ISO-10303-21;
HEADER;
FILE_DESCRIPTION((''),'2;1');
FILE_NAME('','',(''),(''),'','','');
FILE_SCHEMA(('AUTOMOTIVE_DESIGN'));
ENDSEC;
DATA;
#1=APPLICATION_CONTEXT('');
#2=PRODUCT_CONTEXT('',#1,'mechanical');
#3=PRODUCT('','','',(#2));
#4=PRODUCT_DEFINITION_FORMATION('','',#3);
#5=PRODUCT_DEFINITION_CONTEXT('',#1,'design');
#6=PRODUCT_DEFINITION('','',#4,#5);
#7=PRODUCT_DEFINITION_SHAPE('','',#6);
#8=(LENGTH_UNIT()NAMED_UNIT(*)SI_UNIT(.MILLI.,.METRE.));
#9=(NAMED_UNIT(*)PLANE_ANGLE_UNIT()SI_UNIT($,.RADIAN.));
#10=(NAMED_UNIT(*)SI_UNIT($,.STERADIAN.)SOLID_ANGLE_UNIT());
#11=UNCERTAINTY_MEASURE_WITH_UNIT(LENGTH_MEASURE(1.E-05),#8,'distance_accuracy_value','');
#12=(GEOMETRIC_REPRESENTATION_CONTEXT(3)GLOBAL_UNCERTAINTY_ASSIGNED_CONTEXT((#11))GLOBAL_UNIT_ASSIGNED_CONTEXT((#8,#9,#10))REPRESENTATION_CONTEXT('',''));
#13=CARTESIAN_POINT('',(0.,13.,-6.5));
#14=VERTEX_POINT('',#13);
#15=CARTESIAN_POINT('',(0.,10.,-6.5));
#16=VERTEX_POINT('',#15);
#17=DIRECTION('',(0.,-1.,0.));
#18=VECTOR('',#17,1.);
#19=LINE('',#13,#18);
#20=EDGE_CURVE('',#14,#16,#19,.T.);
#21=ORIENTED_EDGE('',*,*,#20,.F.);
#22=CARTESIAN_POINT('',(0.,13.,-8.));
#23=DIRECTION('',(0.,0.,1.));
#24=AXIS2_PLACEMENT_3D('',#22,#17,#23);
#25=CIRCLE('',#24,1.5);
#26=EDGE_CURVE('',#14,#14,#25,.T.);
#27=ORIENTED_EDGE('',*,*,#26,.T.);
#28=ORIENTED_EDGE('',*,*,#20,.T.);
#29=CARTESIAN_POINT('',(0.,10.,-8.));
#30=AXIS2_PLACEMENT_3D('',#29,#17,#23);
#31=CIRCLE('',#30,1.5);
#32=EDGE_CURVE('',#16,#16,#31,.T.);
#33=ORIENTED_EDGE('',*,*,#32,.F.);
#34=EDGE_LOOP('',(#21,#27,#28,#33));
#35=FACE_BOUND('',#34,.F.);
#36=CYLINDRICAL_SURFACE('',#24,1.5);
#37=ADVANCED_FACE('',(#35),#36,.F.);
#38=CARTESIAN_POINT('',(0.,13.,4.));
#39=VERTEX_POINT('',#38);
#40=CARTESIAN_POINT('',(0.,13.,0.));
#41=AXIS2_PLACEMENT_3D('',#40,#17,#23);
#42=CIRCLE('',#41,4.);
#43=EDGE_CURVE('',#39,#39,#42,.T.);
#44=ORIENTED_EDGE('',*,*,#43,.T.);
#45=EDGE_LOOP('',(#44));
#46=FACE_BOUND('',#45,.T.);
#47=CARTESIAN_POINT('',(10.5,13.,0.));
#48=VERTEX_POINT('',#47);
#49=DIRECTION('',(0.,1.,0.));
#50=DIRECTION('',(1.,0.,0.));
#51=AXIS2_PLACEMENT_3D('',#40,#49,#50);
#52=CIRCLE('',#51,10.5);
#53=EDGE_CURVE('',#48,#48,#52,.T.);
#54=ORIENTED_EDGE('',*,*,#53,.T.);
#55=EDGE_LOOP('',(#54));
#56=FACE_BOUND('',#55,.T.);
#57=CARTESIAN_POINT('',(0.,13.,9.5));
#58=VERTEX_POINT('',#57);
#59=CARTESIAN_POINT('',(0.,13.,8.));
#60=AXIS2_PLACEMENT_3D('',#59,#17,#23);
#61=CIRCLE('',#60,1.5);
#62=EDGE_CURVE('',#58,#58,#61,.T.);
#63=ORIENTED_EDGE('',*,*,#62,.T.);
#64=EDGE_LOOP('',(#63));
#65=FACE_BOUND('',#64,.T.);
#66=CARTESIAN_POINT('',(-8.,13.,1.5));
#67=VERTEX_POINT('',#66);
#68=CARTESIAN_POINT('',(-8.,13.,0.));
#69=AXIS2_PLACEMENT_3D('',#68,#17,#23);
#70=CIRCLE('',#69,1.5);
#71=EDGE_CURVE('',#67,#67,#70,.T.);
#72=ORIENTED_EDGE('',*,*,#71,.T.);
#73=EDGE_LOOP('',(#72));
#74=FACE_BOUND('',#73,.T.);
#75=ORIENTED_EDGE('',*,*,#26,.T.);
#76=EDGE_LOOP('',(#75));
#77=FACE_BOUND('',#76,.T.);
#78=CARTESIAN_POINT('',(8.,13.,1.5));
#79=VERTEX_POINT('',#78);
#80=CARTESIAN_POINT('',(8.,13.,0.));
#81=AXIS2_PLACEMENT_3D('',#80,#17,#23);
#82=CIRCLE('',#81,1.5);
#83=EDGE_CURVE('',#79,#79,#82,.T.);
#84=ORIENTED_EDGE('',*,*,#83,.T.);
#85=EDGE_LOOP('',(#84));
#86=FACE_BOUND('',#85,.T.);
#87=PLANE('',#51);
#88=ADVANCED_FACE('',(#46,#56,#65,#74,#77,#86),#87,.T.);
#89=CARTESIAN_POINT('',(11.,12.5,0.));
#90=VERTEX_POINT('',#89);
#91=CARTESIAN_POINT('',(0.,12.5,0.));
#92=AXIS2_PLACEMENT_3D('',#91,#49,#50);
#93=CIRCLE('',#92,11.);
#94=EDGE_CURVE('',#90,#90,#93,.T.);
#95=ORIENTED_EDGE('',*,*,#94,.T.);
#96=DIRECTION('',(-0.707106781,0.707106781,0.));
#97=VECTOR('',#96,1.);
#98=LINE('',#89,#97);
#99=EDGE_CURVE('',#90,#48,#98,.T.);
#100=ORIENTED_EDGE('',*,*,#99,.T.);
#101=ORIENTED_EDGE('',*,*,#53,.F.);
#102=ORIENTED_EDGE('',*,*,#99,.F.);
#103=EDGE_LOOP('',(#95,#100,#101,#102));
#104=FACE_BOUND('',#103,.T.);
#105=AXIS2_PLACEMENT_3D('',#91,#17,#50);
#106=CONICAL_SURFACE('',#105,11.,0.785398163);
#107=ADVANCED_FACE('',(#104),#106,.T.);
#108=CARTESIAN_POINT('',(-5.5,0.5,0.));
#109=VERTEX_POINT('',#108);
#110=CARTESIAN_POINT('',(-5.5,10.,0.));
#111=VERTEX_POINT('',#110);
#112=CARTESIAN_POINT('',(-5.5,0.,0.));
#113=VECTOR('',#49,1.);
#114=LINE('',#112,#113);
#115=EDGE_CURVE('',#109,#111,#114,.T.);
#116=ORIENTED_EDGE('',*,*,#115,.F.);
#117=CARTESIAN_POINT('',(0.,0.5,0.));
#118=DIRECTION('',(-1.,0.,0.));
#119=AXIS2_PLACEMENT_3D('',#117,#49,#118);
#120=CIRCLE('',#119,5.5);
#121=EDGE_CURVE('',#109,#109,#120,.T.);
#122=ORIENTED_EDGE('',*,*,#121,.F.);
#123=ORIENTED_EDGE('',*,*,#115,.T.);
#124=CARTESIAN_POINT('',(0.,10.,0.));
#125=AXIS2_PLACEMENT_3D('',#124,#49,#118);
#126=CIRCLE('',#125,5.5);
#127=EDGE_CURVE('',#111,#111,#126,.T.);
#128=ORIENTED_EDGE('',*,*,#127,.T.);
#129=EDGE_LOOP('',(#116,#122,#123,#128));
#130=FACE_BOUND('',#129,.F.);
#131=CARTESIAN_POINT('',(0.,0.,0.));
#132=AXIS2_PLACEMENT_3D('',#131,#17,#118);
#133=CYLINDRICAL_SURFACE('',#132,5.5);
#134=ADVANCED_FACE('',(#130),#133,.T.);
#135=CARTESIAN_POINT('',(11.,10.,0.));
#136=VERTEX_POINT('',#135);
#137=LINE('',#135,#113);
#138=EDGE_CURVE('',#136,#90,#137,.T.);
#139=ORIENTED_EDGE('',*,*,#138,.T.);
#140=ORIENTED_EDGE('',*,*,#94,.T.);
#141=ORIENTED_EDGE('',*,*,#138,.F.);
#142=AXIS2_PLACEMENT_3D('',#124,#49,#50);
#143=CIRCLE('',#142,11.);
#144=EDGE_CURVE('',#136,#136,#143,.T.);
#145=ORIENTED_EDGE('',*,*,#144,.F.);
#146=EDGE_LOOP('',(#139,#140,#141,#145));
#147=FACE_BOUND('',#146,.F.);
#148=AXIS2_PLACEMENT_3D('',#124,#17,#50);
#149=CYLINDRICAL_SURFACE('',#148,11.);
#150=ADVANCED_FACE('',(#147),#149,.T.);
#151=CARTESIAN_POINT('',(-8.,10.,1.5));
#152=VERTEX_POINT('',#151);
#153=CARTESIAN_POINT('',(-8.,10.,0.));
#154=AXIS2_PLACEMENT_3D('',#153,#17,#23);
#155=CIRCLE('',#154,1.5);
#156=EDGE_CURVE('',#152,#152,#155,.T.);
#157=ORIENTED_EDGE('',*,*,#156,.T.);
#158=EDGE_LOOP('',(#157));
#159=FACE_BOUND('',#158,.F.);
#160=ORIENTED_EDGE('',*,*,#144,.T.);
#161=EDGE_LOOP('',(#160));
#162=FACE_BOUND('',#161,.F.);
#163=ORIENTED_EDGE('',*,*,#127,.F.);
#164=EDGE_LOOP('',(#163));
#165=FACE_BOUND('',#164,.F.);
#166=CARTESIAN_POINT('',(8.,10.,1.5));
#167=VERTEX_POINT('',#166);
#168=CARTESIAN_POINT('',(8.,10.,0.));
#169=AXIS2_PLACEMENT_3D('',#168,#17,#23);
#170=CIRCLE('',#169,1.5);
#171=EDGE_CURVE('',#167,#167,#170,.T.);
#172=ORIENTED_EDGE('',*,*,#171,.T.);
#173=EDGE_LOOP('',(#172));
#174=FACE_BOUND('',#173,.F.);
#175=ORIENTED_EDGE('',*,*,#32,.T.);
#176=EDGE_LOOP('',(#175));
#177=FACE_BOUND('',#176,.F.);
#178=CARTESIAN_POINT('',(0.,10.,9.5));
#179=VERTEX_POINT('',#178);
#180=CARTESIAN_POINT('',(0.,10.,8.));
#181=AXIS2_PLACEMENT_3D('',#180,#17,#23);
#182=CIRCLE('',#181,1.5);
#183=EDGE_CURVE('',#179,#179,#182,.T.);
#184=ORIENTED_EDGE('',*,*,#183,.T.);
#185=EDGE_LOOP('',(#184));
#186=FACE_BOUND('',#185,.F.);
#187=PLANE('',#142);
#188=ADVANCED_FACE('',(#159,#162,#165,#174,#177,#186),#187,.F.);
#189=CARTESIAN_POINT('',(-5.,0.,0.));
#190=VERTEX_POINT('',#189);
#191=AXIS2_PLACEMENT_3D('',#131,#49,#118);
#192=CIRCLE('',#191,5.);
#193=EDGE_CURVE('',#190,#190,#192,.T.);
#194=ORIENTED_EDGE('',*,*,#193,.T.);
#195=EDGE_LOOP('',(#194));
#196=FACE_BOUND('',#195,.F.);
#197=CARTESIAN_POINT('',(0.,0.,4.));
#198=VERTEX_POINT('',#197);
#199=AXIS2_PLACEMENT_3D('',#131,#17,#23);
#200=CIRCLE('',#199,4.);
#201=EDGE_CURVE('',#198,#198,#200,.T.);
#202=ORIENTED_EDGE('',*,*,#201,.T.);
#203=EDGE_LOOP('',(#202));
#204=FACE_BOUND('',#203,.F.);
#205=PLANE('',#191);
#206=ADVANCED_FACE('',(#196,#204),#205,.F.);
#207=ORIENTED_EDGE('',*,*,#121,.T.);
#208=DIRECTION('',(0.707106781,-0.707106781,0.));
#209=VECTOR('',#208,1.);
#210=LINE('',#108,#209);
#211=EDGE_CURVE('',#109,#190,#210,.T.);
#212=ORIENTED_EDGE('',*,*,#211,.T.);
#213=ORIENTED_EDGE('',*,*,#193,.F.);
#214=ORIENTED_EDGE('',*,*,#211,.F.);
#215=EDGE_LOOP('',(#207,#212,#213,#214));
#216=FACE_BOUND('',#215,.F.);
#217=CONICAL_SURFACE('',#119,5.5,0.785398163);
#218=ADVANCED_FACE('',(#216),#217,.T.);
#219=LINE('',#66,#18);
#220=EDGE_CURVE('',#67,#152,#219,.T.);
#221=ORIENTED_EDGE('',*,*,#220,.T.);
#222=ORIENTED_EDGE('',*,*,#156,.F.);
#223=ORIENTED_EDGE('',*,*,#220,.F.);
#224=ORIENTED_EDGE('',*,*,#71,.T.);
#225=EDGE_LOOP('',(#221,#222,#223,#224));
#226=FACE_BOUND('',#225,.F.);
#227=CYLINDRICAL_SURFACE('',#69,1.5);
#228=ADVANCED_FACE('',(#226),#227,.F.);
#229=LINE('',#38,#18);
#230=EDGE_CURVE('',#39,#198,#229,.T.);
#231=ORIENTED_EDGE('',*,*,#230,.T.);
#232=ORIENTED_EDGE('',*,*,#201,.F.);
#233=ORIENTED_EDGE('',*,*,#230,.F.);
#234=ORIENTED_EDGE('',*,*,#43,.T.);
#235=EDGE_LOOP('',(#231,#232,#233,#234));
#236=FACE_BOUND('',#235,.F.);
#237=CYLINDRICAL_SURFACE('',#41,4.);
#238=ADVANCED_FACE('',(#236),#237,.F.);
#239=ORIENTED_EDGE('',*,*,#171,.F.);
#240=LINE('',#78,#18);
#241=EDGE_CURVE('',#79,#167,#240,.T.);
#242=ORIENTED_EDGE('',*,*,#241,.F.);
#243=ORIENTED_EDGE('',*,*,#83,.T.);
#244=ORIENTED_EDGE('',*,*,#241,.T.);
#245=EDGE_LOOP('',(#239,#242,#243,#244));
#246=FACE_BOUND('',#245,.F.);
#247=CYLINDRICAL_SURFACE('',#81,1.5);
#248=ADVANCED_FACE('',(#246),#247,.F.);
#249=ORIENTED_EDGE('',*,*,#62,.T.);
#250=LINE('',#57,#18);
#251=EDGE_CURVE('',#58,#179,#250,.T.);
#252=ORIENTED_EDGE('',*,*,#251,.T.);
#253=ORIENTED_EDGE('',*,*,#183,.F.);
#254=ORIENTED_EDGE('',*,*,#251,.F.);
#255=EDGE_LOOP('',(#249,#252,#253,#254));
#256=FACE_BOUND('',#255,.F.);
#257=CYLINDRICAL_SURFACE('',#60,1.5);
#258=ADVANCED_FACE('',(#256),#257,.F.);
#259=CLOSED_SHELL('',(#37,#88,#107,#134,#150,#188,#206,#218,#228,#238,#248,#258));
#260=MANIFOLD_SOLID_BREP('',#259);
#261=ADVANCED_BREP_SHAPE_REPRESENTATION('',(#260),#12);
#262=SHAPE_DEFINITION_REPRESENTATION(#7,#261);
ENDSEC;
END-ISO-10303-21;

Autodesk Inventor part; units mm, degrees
ref_plane "YZ Plane" through (0, 0, 0) normal (1, 0, 0) x (0, 1, 0)
ref_plane "XZ Plane" through (0, 0, 0) normal (0, 1, 0) x (-1, 0, 0)
ref_plane "XY Plane" through (0, 0, 0) normal (0, 0, 1) x (1, 0, 0)
sketch "Szkic1" plane through (0, 0, 0) normal (0, 1, 0) x (-1, 0, 0)
  circle A0 centre (0, 0) radius 5.5
  dimension "d0" = 11
extrude "Wyciągnięcie proste1" add sketch "Szkic1" along normal blind 10
sketch "Szkic2" plane through (0, 10, 0) normal (0, 1, 0) x (1, 0, 0)
  circle A0 centre (0, 0) radius 11
  dimension "d3" = 22
extrude "Wyciągnięcie proste2" add sketch "Szkic2" along normal blind 3
sketch "Szkic3" plane through (0, 13, 0) normal (0, 1, 0) x (1, 0, 0)
  point P0 (0, 0)
  point P1 (-8, 0)
  point P2 (0, -8)
  point P3 (8, 0)
  point P4 (0, 8)
  dimension "d6" = 8
  dimension "d9" = 360
hole "Otwór1" at (-8, 13, 0) at (0, 13, 8) at (8, 13, 0) at (0, 13, -8) direction (0, -1, 0) diameter 3 end through all
sketch "Szkic4" plane through (0, 13, 0) normal (0, 1, 0) x (1, 0, 0)
  point P0 (0, 0)
  point P1 (0, 0)
hole "Otwór2" at (0, 13, 0) direction (0, -1, 0) diameter 8 end through all
chamfer "Faza1" distance 0.5 angle 45 2 edges at (-11, 13, 0) (5.5, 0, 0)
thread "Gwint1" size "TR8x1.5" class "7H" standard "ISO Metric Trapezoidal Threads" full length
properties part number "25_nakrętka trapezowa" material "Mosiądz, miękki żółty"
